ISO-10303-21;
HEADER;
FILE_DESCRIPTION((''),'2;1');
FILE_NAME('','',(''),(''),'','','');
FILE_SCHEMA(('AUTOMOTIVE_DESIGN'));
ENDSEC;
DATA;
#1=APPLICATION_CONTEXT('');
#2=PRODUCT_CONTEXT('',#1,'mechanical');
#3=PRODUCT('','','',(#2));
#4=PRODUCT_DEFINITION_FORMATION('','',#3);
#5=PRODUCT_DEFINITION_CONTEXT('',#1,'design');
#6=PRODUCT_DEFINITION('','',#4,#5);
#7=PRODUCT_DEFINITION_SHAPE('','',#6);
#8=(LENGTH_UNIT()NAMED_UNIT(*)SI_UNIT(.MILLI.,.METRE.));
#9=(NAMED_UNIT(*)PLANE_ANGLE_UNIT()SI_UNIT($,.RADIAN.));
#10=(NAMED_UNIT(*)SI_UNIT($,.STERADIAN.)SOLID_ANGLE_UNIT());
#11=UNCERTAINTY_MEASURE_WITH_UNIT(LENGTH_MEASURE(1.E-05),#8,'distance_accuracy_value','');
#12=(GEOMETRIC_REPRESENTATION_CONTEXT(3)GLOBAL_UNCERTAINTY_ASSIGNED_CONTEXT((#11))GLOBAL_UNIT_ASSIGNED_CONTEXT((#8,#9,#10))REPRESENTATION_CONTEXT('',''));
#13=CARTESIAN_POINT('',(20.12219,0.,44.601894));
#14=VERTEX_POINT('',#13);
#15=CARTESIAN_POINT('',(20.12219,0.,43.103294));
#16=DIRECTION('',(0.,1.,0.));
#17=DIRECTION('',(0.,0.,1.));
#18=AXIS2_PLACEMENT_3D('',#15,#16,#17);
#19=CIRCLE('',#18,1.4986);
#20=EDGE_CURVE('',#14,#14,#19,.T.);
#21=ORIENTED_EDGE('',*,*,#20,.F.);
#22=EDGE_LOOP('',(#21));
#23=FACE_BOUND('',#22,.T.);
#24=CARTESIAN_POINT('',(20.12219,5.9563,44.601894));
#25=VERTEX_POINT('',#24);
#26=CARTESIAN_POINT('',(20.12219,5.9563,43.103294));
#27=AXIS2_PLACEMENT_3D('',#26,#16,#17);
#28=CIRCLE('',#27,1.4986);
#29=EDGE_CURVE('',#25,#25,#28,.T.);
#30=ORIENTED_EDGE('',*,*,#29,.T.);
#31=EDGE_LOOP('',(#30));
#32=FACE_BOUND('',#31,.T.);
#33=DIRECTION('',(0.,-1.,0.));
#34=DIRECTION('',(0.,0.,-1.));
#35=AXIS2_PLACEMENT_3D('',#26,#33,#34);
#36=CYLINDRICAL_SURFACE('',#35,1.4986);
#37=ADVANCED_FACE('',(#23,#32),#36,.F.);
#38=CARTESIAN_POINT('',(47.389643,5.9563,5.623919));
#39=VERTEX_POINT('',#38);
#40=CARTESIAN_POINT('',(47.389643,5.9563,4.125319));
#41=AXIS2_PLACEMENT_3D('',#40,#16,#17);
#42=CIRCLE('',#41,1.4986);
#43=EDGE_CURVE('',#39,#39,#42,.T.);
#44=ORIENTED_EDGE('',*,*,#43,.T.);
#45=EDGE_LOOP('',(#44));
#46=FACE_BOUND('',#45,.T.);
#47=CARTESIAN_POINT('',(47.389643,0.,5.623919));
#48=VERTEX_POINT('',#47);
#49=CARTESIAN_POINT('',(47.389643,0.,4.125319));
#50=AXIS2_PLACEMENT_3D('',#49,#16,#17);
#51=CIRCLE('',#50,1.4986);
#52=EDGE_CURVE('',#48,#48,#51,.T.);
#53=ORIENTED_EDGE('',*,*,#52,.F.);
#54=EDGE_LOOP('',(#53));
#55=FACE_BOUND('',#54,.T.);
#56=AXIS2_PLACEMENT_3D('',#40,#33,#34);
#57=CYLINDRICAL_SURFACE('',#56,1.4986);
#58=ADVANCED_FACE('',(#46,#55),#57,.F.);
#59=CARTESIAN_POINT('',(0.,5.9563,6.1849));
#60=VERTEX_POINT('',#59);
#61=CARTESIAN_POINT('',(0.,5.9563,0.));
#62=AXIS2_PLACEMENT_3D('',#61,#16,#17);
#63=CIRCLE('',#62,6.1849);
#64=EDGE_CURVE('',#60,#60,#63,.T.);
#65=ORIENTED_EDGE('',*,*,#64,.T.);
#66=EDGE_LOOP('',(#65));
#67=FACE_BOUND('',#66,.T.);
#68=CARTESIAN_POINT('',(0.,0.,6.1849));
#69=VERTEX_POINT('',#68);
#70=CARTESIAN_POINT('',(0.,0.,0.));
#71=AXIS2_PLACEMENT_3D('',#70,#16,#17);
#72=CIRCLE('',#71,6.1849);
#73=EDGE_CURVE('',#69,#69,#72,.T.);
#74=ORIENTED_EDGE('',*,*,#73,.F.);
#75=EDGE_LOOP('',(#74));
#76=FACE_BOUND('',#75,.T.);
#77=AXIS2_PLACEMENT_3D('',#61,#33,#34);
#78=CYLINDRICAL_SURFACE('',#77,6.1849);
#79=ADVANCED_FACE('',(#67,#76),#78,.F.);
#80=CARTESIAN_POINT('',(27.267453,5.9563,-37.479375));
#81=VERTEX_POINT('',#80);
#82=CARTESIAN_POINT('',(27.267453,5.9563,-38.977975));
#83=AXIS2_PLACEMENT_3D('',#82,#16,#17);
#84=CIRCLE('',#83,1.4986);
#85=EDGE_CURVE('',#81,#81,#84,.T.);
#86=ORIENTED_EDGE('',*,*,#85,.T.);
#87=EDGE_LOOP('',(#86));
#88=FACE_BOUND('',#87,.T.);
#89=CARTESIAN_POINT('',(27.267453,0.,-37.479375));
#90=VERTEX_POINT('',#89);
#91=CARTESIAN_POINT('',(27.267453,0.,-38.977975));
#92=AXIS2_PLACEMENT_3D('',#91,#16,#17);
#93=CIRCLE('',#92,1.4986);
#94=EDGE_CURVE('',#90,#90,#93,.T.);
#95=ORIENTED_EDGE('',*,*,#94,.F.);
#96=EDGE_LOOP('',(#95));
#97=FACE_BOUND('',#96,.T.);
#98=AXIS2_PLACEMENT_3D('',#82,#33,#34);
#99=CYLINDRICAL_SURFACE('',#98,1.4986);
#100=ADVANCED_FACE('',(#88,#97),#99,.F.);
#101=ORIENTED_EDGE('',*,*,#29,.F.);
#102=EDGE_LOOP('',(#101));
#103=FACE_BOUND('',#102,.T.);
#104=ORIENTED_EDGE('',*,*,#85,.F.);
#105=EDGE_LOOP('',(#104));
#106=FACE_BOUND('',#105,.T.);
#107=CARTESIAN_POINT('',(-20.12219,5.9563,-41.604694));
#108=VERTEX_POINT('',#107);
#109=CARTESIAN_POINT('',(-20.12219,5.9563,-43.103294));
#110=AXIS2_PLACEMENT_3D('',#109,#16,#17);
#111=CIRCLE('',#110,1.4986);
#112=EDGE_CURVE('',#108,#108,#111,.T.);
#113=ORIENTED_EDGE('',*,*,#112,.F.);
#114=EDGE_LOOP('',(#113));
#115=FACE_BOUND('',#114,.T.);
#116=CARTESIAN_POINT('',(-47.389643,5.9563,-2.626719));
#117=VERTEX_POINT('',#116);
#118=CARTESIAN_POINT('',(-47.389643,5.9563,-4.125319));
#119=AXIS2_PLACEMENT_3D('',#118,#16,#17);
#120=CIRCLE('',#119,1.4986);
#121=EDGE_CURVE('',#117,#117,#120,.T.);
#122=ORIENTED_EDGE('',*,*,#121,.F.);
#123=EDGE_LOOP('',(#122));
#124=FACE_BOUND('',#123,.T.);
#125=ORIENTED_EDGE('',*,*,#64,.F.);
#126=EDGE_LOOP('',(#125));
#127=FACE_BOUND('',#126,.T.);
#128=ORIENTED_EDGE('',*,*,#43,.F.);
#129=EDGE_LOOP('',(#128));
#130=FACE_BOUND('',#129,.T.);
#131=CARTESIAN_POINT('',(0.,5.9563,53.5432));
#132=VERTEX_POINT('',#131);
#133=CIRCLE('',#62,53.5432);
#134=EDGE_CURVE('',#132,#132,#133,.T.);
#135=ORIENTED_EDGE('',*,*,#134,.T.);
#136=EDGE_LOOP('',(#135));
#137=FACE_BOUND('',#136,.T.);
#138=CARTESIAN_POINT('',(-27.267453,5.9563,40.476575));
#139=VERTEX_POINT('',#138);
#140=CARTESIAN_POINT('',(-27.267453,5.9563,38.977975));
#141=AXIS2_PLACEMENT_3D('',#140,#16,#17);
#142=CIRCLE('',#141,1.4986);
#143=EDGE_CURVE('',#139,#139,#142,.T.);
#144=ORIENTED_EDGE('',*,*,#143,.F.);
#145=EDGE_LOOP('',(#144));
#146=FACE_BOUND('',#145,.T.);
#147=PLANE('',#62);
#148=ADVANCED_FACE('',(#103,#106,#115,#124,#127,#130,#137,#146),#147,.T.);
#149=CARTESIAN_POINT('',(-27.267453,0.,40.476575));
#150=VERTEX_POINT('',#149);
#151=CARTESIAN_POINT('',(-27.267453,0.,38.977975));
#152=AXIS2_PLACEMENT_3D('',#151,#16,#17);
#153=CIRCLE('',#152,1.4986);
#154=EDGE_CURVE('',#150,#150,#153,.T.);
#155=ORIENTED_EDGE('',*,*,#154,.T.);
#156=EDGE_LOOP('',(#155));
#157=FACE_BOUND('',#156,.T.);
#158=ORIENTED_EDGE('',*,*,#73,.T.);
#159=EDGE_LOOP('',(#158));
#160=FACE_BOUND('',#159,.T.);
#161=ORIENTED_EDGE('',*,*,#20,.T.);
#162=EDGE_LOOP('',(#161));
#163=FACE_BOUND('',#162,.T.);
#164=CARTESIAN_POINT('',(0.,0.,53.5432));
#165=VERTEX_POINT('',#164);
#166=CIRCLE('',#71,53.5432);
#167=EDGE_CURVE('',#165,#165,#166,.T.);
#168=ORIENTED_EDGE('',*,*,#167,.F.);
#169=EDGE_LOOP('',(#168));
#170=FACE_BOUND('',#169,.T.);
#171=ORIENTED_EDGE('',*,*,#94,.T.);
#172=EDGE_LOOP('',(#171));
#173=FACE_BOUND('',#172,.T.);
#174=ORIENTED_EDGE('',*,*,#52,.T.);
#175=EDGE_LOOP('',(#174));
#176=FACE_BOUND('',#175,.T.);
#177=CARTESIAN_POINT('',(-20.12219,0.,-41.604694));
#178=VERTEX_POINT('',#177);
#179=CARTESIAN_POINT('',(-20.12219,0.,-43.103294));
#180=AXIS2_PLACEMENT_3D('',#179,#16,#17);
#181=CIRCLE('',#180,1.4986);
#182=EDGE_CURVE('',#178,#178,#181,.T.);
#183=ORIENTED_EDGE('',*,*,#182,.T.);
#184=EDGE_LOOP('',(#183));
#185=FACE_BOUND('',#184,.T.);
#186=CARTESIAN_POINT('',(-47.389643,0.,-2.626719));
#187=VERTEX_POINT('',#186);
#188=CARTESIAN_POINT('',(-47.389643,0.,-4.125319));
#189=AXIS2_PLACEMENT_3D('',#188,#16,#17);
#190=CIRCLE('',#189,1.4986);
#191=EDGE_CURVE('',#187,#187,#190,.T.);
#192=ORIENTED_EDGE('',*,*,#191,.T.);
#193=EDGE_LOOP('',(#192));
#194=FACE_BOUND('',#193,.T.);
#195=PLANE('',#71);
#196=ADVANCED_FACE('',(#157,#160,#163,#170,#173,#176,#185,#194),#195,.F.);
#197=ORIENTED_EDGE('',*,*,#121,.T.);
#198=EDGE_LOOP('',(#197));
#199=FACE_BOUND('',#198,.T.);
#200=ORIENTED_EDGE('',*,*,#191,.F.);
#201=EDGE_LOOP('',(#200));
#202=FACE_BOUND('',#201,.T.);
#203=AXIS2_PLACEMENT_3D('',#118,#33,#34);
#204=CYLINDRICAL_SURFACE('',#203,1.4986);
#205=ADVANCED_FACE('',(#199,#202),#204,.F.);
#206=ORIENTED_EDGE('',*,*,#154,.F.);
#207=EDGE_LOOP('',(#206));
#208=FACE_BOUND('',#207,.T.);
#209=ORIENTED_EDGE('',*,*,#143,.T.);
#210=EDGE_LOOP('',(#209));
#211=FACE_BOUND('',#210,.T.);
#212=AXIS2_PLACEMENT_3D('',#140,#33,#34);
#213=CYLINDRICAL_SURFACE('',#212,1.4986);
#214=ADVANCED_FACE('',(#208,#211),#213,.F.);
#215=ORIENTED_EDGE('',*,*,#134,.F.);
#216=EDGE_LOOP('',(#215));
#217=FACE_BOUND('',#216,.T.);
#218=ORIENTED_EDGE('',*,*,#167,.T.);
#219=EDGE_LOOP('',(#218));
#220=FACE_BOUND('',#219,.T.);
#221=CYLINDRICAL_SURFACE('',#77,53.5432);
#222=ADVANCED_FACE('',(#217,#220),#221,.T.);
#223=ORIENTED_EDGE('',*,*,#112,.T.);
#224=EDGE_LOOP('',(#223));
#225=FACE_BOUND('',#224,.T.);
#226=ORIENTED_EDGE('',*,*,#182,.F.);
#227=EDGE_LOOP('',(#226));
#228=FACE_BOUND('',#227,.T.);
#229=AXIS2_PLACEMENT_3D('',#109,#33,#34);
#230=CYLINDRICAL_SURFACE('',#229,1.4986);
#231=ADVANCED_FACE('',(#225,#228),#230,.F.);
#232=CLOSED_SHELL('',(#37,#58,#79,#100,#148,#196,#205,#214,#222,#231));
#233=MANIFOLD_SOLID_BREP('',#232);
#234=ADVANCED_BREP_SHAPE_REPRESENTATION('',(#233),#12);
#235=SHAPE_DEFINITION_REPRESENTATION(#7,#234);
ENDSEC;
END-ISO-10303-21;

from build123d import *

# Parameters (mm, degrees)
SKETCH1_R           = 53.5432
SKETCH1_R_2         = 6.1849
SKETCH1_R_3         = 1.4986
BOSS_EXTRUDE1_DEPTH = 5.9563


with BuildPart() as part:
    # Sketch1 → Boss-Extrude1 (new body)
    with BuildSketch(Plane(origin=(0, 0, 0), x_dir=(1, 0, 0), z_dir=(0, 1, 0))):
        Circle(SKETCH1_R)
        Circle(SKETCH1_R_2, mode=Mode.SUBTRACT)
        with Locations((47.389642634, -4.125319175)):
            Circle(SKETCH1_R_3, mode=Mode.SUBTRACT)
        with Locations((20.122190112, -43.103293985)):
            Circle(SKETCH1_R_3, mode=Mode.SUBTRACT)
        with Locations((-27.267452522, -38.97797481)):
            Circle(SKETCH1_R_3, mode=Mode.SUBTRACT)
        with Locations((-47.389642634, 4.125319175)):
            Circle(SKETCH1_R_3, mode=Mode.SUBTRACT)
        with Locations((-20.122190112, 43.103293985)):
            Circle(SKETCH1_R_3, mode=Mode.SUBTRACT)
        with Locations((27.267452522, 38.97797481)):
            Circle(SKETCH1_R_3, mode=Mode.SUBTRACT)
    extrude(amount=BOSS_EXTRUDE1_DEPTH)


solid = part.part
